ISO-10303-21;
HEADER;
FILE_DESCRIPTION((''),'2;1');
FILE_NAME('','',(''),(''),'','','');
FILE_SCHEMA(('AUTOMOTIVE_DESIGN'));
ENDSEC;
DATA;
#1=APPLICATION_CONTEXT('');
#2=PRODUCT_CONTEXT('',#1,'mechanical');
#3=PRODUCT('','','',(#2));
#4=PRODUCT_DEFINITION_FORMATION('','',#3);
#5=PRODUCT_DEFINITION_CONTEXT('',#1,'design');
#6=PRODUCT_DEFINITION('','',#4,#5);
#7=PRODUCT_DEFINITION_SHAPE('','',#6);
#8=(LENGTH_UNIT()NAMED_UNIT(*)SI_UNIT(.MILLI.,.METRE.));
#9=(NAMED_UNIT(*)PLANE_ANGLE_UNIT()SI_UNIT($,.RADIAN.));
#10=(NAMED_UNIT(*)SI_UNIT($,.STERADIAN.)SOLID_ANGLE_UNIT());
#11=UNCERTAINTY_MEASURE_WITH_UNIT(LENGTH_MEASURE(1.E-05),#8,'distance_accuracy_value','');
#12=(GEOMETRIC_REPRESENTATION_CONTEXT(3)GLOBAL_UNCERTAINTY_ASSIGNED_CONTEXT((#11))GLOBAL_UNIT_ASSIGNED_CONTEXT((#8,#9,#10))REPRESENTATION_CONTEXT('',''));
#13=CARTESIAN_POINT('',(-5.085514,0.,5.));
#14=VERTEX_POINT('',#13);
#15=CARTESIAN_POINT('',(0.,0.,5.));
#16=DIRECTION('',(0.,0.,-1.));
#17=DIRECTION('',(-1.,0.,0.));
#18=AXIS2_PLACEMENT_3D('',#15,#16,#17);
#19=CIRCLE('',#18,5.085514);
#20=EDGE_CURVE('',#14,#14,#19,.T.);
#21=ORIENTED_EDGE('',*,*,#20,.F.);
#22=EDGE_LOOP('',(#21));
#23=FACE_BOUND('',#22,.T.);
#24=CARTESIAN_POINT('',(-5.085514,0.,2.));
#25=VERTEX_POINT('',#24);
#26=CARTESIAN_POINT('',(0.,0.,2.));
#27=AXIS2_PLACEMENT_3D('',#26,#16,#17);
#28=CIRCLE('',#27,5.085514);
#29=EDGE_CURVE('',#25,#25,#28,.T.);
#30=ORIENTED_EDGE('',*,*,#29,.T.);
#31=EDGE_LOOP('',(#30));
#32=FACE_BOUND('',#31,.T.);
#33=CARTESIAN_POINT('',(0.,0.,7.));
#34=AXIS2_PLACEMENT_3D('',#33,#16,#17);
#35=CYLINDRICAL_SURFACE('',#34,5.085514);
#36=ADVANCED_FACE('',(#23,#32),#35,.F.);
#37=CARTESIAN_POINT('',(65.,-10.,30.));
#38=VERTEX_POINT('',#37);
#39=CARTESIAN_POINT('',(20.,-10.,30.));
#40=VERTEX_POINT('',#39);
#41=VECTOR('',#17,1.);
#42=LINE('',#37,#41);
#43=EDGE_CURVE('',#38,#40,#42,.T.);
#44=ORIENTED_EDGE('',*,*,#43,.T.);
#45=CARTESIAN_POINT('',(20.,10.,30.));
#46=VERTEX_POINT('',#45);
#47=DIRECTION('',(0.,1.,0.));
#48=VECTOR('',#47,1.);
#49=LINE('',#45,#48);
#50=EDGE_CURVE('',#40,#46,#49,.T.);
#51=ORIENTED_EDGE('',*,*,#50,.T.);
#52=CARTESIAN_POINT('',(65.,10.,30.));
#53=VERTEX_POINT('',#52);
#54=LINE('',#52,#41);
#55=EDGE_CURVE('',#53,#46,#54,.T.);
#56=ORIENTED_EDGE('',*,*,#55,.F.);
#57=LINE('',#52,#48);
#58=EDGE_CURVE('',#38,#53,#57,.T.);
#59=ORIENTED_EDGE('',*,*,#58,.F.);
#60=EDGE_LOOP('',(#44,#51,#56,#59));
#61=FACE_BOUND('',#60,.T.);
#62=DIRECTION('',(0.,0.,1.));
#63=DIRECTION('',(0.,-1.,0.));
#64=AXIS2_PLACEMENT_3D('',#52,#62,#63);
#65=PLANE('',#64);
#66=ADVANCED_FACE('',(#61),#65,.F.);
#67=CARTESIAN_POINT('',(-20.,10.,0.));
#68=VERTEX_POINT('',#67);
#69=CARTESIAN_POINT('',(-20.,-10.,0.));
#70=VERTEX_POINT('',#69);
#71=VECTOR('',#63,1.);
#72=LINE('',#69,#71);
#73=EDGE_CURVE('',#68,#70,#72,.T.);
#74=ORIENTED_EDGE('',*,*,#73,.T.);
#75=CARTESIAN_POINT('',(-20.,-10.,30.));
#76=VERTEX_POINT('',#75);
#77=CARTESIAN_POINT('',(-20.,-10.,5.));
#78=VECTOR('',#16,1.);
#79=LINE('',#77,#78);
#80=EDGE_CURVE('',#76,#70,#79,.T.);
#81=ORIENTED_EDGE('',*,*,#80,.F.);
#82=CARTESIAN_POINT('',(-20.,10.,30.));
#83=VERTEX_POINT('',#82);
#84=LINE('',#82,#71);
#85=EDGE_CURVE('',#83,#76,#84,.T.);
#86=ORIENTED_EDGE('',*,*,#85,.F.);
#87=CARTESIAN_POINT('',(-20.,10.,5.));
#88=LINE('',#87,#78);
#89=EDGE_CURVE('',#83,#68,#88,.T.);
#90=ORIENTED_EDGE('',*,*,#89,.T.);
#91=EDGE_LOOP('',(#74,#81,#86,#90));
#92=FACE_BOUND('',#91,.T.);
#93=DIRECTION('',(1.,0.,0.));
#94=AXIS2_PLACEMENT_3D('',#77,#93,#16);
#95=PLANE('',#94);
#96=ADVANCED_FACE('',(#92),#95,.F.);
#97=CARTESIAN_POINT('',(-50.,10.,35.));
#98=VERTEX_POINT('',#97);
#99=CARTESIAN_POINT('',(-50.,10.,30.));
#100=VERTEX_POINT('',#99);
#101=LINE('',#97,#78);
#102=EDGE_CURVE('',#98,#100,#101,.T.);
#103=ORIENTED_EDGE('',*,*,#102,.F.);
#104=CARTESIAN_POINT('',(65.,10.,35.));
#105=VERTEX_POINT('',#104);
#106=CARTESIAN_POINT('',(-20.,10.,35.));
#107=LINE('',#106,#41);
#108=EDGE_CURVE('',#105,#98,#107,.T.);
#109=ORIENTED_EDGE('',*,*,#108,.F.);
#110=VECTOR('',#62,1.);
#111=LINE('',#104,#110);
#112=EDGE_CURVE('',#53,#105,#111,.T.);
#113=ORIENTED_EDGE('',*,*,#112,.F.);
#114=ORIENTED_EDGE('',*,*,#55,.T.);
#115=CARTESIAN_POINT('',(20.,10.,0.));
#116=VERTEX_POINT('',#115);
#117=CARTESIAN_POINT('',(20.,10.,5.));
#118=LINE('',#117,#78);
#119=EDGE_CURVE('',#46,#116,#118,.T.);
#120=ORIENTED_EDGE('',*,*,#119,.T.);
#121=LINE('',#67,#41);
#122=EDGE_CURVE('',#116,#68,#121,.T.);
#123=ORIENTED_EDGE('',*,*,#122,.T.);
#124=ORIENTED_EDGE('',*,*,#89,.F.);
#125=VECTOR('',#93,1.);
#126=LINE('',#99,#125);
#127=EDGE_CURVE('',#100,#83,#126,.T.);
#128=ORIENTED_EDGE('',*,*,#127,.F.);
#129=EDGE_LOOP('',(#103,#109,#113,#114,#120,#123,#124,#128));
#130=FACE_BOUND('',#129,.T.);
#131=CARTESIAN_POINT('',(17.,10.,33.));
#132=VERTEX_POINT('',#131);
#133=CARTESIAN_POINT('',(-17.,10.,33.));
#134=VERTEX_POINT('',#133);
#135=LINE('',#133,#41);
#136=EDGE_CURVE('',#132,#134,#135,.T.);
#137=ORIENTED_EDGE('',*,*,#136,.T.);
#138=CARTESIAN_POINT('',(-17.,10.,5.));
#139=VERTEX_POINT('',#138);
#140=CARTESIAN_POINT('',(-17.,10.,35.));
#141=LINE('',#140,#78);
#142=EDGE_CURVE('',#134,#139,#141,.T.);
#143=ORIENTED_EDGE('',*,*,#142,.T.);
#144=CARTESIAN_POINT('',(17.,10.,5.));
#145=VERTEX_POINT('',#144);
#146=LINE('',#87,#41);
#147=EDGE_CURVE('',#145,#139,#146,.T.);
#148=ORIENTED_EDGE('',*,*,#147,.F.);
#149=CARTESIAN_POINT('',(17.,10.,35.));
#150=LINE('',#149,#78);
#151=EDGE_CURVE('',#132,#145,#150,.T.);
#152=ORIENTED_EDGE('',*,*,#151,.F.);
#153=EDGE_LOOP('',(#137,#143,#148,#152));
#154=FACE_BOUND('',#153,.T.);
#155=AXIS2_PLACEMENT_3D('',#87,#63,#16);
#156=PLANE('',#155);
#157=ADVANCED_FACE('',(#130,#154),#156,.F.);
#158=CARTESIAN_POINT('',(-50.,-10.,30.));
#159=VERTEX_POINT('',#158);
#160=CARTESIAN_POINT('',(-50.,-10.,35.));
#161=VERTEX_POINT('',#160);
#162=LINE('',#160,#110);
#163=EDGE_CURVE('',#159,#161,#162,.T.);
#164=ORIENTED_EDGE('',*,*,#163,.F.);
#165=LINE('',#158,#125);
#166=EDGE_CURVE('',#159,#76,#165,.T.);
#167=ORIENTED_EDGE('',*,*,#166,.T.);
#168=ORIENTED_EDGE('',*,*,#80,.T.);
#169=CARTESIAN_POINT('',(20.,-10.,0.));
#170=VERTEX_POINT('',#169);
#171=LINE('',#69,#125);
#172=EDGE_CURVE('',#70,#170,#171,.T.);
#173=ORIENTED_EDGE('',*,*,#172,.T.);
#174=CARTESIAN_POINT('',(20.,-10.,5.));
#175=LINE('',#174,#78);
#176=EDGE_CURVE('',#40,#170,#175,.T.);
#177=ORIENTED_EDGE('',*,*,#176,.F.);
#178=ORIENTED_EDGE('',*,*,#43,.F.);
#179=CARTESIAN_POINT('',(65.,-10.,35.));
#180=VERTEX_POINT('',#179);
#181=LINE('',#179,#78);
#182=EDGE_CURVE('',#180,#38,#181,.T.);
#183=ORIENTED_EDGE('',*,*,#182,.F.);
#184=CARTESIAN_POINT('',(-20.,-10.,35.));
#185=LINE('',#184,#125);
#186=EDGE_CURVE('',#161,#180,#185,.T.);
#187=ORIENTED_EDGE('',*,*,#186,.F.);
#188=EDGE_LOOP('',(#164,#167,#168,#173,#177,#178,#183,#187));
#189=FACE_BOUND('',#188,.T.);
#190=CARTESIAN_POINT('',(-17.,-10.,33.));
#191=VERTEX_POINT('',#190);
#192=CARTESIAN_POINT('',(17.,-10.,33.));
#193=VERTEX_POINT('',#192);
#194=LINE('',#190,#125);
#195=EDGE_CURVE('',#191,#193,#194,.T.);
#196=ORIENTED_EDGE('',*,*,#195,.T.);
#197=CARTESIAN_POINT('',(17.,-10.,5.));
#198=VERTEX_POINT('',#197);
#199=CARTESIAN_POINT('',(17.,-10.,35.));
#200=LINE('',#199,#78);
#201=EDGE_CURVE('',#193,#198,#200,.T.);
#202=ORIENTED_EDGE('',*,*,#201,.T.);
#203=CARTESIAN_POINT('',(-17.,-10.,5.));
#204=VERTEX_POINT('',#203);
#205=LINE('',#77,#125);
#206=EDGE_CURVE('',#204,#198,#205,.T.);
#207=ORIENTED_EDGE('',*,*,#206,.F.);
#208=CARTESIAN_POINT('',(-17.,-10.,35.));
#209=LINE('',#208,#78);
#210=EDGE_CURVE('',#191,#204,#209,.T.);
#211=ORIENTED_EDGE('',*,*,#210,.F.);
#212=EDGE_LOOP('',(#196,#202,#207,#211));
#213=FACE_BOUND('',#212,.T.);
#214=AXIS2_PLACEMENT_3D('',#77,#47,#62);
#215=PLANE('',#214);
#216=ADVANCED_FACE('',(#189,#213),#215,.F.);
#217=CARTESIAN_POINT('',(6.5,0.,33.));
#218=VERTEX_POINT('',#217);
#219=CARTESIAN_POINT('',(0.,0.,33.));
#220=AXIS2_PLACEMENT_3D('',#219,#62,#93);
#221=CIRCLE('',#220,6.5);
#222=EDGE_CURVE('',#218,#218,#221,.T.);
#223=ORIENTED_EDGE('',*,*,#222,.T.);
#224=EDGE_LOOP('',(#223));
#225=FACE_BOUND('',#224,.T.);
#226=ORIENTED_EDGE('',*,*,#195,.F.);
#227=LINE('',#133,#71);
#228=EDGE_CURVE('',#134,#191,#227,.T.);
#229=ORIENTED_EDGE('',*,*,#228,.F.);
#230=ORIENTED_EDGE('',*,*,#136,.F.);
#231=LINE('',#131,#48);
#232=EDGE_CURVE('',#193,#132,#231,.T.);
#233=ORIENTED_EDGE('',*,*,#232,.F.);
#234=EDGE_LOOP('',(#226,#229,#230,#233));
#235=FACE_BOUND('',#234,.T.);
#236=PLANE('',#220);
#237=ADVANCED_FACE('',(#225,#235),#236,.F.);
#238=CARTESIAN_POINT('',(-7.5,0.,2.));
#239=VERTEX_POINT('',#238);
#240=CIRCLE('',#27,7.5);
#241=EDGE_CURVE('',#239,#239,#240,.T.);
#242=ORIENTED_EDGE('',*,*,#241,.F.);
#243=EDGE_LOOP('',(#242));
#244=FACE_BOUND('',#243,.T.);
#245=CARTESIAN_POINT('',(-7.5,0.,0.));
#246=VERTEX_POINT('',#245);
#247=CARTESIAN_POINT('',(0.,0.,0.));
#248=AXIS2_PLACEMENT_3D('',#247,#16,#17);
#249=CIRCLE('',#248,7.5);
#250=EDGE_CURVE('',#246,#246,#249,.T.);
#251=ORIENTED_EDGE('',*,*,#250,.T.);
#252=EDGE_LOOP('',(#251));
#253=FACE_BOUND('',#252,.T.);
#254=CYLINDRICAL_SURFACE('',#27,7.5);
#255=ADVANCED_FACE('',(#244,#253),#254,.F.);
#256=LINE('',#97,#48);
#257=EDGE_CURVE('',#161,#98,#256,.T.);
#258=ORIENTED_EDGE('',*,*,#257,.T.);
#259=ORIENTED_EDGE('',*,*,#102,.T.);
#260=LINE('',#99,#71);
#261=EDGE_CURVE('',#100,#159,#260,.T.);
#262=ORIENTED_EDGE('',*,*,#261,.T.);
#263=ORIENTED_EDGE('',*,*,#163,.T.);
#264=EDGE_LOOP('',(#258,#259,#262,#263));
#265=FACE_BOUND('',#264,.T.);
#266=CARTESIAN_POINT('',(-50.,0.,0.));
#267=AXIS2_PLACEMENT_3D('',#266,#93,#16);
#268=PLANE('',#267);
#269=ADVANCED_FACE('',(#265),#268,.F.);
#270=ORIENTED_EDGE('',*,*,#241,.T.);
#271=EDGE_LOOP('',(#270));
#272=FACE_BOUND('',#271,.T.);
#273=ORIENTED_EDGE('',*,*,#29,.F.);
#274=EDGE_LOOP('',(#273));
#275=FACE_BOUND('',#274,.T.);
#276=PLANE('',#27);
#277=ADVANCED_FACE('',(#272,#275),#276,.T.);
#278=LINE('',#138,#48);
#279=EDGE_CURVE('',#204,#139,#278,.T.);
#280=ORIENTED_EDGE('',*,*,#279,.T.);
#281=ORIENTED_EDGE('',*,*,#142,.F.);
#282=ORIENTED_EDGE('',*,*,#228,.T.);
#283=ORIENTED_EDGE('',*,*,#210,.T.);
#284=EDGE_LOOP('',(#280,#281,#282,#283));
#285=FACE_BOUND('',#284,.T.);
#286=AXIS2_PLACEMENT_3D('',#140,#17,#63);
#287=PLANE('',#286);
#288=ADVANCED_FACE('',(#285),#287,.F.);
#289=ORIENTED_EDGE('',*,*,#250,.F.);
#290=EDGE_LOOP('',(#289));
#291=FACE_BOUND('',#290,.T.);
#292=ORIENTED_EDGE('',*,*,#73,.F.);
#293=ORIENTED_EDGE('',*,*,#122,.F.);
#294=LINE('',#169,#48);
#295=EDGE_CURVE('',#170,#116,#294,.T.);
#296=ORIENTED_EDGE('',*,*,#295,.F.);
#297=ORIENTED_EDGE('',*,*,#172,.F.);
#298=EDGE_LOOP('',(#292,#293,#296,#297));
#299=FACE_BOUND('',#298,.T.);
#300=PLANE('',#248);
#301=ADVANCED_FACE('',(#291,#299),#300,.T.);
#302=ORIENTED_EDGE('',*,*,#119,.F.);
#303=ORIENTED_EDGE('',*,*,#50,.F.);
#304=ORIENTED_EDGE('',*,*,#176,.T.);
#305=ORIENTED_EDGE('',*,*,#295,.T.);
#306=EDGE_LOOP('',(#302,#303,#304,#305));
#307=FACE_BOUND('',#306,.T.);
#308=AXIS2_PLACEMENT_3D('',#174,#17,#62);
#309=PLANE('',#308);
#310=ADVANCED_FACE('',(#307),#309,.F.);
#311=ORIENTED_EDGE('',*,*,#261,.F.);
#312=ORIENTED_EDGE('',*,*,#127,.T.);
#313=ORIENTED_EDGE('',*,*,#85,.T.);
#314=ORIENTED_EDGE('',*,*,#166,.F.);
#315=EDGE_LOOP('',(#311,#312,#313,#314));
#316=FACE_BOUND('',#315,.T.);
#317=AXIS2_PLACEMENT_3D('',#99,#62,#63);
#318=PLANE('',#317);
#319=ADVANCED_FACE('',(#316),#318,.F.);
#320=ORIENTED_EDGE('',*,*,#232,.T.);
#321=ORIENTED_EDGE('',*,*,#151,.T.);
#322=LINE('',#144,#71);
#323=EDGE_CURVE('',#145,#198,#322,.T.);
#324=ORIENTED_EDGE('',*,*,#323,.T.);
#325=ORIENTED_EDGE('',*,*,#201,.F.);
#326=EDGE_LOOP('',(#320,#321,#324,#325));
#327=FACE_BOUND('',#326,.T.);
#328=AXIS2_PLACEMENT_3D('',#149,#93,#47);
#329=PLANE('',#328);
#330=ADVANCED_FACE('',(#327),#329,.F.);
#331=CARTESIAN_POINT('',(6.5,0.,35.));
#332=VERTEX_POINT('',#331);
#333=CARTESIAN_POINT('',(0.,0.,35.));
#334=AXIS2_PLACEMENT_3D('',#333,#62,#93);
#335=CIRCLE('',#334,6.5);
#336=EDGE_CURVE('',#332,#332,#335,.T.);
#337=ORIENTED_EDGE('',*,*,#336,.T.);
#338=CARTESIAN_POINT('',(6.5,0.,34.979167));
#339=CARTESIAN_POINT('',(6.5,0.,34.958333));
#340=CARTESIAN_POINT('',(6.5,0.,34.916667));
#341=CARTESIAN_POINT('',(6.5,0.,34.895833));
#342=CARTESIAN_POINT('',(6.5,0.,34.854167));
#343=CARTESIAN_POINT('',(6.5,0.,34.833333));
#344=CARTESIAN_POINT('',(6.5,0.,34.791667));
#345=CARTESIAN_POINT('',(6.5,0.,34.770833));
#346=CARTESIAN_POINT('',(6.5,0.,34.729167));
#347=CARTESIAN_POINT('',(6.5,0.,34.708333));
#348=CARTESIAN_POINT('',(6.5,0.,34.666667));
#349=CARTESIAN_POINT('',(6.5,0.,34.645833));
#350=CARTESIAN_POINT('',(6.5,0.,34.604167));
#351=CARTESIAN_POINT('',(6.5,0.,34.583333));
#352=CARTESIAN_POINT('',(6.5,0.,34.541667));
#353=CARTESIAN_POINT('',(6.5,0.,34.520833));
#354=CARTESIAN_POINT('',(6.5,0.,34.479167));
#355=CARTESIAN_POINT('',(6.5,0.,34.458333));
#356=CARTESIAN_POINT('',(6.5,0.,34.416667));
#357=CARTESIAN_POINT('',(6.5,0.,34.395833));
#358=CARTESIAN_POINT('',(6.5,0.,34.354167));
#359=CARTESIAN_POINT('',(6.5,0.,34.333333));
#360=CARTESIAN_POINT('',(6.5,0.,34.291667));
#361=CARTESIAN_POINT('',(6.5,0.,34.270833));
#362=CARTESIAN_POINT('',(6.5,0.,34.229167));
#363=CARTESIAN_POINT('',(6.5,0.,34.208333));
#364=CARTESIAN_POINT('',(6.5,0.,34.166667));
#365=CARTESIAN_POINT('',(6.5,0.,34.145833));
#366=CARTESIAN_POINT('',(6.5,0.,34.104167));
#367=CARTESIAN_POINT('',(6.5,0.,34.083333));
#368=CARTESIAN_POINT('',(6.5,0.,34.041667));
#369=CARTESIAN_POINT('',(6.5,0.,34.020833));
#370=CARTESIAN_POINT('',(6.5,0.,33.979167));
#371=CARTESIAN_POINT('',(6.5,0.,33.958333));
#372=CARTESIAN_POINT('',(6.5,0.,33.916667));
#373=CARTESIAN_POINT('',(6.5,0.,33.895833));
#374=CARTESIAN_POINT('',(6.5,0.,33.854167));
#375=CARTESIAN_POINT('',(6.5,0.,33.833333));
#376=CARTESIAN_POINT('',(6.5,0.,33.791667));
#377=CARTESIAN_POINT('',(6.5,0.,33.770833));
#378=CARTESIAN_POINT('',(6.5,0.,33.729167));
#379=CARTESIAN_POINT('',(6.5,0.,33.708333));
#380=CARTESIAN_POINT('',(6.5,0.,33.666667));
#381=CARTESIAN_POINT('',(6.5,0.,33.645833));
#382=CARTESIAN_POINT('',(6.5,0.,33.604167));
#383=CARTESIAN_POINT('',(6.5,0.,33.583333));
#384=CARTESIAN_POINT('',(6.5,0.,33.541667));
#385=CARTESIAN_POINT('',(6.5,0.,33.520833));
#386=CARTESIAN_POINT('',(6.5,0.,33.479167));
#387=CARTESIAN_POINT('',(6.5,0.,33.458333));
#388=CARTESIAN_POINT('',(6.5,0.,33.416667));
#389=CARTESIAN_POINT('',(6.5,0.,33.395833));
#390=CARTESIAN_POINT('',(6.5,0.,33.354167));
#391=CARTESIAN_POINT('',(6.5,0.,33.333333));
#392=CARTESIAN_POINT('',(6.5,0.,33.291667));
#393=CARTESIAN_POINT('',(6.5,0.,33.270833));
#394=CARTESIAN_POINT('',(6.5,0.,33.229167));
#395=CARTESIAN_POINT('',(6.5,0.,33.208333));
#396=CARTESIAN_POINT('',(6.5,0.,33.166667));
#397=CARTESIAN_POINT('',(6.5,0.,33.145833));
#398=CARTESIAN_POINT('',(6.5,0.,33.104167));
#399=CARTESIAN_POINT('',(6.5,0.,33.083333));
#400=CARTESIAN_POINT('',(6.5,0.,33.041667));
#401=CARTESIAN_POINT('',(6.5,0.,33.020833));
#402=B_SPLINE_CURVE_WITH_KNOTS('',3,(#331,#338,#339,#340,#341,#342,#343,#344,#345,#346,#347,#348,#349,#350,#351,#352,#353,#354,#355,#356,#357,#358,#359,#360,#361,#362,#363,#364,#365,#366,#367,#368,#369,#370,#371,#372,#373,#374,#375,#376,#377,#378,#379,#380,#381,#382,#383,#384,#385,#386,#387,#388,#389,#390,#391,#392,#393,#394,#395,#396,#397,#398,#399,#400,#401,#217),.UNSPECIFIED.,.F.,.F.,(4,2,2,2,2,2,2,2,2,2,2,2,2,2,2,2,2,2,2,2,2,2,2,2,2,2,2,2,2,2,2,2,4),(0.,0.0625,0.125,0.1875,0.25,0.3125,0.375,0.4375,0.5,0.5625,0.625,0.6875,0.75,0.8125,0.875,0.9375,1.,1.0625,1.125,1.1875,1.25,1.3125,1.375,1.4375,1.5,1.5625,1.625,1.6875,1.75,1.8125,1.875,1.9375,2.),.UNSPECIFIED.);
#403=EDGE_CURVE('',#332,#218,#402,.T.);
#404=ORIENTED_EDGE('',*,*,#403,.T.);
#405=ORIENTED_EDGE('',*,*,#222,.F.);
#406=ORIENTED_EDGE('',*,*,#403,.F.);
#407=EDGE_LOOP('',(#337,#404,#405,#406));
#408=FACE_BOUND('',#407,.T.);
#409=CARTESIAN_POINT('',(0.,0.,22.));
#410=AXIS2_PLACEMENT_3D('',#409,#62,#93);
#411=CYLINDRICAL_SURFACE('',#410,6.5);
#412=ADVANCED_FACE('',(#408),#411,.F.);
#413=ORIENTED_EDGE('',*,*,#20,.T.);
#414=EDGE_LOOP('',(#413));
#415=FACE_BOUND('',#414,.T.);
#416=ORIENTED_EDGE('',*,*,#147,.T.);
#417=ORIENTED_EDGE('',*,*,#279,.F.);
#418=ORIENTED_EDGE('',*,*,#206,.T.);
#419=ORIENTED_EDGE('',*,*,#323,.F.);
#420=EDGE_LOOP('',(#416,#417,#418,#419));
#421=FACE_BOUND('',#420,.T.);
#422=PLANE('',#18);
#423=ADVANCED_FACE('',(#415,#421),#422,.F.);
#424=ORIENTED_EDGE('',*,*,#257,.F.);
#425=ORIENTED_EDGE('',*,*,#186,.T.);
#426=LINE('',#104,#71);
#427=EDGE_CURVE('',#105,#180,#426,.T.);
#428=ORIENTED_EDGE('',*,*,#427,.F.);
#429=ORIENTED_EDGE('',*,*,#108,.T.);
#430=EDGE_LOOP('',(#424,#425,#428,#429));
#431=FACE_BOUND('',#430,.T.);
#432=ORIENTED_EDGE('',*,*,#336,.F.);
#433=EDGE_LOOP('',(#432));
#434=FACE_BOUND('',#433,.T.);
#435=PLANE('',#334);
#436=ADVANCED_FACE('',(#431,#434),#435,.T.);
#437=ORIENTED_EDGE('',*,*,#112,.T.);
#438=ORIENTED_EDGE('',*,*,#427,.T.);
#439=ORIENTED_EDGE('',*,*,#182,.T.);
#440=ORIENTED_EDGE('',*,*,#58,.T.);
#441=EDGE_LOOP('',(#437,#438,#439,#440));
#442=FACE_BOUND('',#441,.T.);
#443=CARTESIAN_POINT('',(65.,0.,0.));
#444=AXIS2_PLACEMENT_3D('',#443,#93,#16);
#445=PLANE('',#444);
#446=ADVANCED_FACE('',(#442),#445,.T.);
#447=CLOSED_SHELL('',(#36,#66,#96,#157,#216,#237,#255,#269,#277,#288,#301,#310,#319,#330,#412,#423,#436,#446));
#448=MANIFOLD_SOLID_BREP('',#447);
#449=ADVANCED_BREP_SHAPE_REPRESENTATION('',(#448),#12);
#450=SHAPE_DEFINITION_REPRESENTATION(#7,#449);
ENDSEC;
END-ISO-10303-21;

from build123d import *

# Parameters (mm, degrees)
SKETCH1_W           = 40
SKETCH1_H           = 20
BOSS_EXTRUDE1_DEPTH = 5
SKETCH2_W           = 3
SKETCH2_H           = 20
BOSS_EXTRUDE2_DEPTH = 30
SKETCH3_W           = 5
SKETCH3_H           = 20
BOSS_EXTRUDE3_DEPTH = 45
SKETCH4_W           = 5
SKETCH4_H           = 20
BOSS_EXTRUDE4_DEPTH = 30
SKETCH5_W           = 34
SKETCH5_H           = 20
BOSS_EXTRUDE5_DEPTH = 2
SKETCH6_R           = 7.5
CUT_EXTRUDE1_DEPTH  = 2
SKETCH7_R           = 5.085514488
CUT_EXTRUDE2_DEPTH  = 5
SKETCH8_R           = 6.5
CUT_EXTRUDE3_DEPTH  = 13


with BuildPart() as part:
    # Sketch1 → Boss-Extrude1 (new body)
    with BuildSketch(Plane.XY):
        Rectangle(SKETCH1_W, SKETCH1_H)
    extrude(amount=BOSS_EXTRUDE1_DEPTH)

    # Sketch2 → Boss-Extrude2 (add)
    with BuildSketch(Plane.XY.offset(5)):
        with Locations((-18.5, 0)):
            Rectangle(SKETCH2_W, SKETCH2_H)
        with Locations((18.5, 0)):
            Rectangle(SKETCH2_W, SKETCH2_H)
    extrude(amount=BOSS_EXTRUDE2_DEPTH)

    # Sketch3 → Boss-Extrude3 (add)
    with BuildSketch(Plane(origin=(20, 0, 0), x_dir=(0, 0, -1), z_dir=(1, 0, 0))):
        with Locations((-32.5, 0)):
            Rectangle(SKETCH3_W, SKETCH3_H)
    extrude(amount=BOSS_EXTRUDE3_DEPTH)

    # Sketch4 → Boss-Extrude4 (add)
    with BuildSketch(Plane.ZY.offset(20)):
        with Locations((32.5, 0)):
            Rectangle(SKETCH4_W, SKETCH4_H)
    extrude(amount=BOSS_EXTRUDE4_DEPTH)

    # Sketch5 → Boss-Extrude5 (add)
    with BuildSketch(Plane.XY.offset(35)):
        Rectangle(SKETCH5_W, SKETCH5_H)
    extrude(amount=-BOSS_EXTRUDE5_DEPTH)

    # Sketch6 → Cut-Extrude1 (cut)
    with BuildSketch(Plane(origin=(0, 0, 0), x_dir=(-1, 0, 0), z_dir=(0, 0, -1))):
        Circle(SKETCH6_R)
    extrude(amount=-CUT_EXTRUDE1_DEPTH, mode=Mode.SUBTRACT)

    # Sketch7 → Cut-Extrude2 (cut)
    with BuildSketch(Plane(origin=(0, 0, 2), x_dir=(-1, 0, 0), z_dir=(0, 0, -1))):
        Circle(SKETCH7_R)
    extrude(amount=-CUT_EXTRUDE2_DEPTH, mode=Mode.SUBTRACT)

    # Sketch8 → Cut-Extrude3 (cut)
    with BuildSketch(Plane.XY.offset(35)):
        Circle(SKETCH8_R)
    extrude(amount=-CUT_EXTRUDE3_DEPTH, mode=Mode.SUBTRACT)


solid = part.part
